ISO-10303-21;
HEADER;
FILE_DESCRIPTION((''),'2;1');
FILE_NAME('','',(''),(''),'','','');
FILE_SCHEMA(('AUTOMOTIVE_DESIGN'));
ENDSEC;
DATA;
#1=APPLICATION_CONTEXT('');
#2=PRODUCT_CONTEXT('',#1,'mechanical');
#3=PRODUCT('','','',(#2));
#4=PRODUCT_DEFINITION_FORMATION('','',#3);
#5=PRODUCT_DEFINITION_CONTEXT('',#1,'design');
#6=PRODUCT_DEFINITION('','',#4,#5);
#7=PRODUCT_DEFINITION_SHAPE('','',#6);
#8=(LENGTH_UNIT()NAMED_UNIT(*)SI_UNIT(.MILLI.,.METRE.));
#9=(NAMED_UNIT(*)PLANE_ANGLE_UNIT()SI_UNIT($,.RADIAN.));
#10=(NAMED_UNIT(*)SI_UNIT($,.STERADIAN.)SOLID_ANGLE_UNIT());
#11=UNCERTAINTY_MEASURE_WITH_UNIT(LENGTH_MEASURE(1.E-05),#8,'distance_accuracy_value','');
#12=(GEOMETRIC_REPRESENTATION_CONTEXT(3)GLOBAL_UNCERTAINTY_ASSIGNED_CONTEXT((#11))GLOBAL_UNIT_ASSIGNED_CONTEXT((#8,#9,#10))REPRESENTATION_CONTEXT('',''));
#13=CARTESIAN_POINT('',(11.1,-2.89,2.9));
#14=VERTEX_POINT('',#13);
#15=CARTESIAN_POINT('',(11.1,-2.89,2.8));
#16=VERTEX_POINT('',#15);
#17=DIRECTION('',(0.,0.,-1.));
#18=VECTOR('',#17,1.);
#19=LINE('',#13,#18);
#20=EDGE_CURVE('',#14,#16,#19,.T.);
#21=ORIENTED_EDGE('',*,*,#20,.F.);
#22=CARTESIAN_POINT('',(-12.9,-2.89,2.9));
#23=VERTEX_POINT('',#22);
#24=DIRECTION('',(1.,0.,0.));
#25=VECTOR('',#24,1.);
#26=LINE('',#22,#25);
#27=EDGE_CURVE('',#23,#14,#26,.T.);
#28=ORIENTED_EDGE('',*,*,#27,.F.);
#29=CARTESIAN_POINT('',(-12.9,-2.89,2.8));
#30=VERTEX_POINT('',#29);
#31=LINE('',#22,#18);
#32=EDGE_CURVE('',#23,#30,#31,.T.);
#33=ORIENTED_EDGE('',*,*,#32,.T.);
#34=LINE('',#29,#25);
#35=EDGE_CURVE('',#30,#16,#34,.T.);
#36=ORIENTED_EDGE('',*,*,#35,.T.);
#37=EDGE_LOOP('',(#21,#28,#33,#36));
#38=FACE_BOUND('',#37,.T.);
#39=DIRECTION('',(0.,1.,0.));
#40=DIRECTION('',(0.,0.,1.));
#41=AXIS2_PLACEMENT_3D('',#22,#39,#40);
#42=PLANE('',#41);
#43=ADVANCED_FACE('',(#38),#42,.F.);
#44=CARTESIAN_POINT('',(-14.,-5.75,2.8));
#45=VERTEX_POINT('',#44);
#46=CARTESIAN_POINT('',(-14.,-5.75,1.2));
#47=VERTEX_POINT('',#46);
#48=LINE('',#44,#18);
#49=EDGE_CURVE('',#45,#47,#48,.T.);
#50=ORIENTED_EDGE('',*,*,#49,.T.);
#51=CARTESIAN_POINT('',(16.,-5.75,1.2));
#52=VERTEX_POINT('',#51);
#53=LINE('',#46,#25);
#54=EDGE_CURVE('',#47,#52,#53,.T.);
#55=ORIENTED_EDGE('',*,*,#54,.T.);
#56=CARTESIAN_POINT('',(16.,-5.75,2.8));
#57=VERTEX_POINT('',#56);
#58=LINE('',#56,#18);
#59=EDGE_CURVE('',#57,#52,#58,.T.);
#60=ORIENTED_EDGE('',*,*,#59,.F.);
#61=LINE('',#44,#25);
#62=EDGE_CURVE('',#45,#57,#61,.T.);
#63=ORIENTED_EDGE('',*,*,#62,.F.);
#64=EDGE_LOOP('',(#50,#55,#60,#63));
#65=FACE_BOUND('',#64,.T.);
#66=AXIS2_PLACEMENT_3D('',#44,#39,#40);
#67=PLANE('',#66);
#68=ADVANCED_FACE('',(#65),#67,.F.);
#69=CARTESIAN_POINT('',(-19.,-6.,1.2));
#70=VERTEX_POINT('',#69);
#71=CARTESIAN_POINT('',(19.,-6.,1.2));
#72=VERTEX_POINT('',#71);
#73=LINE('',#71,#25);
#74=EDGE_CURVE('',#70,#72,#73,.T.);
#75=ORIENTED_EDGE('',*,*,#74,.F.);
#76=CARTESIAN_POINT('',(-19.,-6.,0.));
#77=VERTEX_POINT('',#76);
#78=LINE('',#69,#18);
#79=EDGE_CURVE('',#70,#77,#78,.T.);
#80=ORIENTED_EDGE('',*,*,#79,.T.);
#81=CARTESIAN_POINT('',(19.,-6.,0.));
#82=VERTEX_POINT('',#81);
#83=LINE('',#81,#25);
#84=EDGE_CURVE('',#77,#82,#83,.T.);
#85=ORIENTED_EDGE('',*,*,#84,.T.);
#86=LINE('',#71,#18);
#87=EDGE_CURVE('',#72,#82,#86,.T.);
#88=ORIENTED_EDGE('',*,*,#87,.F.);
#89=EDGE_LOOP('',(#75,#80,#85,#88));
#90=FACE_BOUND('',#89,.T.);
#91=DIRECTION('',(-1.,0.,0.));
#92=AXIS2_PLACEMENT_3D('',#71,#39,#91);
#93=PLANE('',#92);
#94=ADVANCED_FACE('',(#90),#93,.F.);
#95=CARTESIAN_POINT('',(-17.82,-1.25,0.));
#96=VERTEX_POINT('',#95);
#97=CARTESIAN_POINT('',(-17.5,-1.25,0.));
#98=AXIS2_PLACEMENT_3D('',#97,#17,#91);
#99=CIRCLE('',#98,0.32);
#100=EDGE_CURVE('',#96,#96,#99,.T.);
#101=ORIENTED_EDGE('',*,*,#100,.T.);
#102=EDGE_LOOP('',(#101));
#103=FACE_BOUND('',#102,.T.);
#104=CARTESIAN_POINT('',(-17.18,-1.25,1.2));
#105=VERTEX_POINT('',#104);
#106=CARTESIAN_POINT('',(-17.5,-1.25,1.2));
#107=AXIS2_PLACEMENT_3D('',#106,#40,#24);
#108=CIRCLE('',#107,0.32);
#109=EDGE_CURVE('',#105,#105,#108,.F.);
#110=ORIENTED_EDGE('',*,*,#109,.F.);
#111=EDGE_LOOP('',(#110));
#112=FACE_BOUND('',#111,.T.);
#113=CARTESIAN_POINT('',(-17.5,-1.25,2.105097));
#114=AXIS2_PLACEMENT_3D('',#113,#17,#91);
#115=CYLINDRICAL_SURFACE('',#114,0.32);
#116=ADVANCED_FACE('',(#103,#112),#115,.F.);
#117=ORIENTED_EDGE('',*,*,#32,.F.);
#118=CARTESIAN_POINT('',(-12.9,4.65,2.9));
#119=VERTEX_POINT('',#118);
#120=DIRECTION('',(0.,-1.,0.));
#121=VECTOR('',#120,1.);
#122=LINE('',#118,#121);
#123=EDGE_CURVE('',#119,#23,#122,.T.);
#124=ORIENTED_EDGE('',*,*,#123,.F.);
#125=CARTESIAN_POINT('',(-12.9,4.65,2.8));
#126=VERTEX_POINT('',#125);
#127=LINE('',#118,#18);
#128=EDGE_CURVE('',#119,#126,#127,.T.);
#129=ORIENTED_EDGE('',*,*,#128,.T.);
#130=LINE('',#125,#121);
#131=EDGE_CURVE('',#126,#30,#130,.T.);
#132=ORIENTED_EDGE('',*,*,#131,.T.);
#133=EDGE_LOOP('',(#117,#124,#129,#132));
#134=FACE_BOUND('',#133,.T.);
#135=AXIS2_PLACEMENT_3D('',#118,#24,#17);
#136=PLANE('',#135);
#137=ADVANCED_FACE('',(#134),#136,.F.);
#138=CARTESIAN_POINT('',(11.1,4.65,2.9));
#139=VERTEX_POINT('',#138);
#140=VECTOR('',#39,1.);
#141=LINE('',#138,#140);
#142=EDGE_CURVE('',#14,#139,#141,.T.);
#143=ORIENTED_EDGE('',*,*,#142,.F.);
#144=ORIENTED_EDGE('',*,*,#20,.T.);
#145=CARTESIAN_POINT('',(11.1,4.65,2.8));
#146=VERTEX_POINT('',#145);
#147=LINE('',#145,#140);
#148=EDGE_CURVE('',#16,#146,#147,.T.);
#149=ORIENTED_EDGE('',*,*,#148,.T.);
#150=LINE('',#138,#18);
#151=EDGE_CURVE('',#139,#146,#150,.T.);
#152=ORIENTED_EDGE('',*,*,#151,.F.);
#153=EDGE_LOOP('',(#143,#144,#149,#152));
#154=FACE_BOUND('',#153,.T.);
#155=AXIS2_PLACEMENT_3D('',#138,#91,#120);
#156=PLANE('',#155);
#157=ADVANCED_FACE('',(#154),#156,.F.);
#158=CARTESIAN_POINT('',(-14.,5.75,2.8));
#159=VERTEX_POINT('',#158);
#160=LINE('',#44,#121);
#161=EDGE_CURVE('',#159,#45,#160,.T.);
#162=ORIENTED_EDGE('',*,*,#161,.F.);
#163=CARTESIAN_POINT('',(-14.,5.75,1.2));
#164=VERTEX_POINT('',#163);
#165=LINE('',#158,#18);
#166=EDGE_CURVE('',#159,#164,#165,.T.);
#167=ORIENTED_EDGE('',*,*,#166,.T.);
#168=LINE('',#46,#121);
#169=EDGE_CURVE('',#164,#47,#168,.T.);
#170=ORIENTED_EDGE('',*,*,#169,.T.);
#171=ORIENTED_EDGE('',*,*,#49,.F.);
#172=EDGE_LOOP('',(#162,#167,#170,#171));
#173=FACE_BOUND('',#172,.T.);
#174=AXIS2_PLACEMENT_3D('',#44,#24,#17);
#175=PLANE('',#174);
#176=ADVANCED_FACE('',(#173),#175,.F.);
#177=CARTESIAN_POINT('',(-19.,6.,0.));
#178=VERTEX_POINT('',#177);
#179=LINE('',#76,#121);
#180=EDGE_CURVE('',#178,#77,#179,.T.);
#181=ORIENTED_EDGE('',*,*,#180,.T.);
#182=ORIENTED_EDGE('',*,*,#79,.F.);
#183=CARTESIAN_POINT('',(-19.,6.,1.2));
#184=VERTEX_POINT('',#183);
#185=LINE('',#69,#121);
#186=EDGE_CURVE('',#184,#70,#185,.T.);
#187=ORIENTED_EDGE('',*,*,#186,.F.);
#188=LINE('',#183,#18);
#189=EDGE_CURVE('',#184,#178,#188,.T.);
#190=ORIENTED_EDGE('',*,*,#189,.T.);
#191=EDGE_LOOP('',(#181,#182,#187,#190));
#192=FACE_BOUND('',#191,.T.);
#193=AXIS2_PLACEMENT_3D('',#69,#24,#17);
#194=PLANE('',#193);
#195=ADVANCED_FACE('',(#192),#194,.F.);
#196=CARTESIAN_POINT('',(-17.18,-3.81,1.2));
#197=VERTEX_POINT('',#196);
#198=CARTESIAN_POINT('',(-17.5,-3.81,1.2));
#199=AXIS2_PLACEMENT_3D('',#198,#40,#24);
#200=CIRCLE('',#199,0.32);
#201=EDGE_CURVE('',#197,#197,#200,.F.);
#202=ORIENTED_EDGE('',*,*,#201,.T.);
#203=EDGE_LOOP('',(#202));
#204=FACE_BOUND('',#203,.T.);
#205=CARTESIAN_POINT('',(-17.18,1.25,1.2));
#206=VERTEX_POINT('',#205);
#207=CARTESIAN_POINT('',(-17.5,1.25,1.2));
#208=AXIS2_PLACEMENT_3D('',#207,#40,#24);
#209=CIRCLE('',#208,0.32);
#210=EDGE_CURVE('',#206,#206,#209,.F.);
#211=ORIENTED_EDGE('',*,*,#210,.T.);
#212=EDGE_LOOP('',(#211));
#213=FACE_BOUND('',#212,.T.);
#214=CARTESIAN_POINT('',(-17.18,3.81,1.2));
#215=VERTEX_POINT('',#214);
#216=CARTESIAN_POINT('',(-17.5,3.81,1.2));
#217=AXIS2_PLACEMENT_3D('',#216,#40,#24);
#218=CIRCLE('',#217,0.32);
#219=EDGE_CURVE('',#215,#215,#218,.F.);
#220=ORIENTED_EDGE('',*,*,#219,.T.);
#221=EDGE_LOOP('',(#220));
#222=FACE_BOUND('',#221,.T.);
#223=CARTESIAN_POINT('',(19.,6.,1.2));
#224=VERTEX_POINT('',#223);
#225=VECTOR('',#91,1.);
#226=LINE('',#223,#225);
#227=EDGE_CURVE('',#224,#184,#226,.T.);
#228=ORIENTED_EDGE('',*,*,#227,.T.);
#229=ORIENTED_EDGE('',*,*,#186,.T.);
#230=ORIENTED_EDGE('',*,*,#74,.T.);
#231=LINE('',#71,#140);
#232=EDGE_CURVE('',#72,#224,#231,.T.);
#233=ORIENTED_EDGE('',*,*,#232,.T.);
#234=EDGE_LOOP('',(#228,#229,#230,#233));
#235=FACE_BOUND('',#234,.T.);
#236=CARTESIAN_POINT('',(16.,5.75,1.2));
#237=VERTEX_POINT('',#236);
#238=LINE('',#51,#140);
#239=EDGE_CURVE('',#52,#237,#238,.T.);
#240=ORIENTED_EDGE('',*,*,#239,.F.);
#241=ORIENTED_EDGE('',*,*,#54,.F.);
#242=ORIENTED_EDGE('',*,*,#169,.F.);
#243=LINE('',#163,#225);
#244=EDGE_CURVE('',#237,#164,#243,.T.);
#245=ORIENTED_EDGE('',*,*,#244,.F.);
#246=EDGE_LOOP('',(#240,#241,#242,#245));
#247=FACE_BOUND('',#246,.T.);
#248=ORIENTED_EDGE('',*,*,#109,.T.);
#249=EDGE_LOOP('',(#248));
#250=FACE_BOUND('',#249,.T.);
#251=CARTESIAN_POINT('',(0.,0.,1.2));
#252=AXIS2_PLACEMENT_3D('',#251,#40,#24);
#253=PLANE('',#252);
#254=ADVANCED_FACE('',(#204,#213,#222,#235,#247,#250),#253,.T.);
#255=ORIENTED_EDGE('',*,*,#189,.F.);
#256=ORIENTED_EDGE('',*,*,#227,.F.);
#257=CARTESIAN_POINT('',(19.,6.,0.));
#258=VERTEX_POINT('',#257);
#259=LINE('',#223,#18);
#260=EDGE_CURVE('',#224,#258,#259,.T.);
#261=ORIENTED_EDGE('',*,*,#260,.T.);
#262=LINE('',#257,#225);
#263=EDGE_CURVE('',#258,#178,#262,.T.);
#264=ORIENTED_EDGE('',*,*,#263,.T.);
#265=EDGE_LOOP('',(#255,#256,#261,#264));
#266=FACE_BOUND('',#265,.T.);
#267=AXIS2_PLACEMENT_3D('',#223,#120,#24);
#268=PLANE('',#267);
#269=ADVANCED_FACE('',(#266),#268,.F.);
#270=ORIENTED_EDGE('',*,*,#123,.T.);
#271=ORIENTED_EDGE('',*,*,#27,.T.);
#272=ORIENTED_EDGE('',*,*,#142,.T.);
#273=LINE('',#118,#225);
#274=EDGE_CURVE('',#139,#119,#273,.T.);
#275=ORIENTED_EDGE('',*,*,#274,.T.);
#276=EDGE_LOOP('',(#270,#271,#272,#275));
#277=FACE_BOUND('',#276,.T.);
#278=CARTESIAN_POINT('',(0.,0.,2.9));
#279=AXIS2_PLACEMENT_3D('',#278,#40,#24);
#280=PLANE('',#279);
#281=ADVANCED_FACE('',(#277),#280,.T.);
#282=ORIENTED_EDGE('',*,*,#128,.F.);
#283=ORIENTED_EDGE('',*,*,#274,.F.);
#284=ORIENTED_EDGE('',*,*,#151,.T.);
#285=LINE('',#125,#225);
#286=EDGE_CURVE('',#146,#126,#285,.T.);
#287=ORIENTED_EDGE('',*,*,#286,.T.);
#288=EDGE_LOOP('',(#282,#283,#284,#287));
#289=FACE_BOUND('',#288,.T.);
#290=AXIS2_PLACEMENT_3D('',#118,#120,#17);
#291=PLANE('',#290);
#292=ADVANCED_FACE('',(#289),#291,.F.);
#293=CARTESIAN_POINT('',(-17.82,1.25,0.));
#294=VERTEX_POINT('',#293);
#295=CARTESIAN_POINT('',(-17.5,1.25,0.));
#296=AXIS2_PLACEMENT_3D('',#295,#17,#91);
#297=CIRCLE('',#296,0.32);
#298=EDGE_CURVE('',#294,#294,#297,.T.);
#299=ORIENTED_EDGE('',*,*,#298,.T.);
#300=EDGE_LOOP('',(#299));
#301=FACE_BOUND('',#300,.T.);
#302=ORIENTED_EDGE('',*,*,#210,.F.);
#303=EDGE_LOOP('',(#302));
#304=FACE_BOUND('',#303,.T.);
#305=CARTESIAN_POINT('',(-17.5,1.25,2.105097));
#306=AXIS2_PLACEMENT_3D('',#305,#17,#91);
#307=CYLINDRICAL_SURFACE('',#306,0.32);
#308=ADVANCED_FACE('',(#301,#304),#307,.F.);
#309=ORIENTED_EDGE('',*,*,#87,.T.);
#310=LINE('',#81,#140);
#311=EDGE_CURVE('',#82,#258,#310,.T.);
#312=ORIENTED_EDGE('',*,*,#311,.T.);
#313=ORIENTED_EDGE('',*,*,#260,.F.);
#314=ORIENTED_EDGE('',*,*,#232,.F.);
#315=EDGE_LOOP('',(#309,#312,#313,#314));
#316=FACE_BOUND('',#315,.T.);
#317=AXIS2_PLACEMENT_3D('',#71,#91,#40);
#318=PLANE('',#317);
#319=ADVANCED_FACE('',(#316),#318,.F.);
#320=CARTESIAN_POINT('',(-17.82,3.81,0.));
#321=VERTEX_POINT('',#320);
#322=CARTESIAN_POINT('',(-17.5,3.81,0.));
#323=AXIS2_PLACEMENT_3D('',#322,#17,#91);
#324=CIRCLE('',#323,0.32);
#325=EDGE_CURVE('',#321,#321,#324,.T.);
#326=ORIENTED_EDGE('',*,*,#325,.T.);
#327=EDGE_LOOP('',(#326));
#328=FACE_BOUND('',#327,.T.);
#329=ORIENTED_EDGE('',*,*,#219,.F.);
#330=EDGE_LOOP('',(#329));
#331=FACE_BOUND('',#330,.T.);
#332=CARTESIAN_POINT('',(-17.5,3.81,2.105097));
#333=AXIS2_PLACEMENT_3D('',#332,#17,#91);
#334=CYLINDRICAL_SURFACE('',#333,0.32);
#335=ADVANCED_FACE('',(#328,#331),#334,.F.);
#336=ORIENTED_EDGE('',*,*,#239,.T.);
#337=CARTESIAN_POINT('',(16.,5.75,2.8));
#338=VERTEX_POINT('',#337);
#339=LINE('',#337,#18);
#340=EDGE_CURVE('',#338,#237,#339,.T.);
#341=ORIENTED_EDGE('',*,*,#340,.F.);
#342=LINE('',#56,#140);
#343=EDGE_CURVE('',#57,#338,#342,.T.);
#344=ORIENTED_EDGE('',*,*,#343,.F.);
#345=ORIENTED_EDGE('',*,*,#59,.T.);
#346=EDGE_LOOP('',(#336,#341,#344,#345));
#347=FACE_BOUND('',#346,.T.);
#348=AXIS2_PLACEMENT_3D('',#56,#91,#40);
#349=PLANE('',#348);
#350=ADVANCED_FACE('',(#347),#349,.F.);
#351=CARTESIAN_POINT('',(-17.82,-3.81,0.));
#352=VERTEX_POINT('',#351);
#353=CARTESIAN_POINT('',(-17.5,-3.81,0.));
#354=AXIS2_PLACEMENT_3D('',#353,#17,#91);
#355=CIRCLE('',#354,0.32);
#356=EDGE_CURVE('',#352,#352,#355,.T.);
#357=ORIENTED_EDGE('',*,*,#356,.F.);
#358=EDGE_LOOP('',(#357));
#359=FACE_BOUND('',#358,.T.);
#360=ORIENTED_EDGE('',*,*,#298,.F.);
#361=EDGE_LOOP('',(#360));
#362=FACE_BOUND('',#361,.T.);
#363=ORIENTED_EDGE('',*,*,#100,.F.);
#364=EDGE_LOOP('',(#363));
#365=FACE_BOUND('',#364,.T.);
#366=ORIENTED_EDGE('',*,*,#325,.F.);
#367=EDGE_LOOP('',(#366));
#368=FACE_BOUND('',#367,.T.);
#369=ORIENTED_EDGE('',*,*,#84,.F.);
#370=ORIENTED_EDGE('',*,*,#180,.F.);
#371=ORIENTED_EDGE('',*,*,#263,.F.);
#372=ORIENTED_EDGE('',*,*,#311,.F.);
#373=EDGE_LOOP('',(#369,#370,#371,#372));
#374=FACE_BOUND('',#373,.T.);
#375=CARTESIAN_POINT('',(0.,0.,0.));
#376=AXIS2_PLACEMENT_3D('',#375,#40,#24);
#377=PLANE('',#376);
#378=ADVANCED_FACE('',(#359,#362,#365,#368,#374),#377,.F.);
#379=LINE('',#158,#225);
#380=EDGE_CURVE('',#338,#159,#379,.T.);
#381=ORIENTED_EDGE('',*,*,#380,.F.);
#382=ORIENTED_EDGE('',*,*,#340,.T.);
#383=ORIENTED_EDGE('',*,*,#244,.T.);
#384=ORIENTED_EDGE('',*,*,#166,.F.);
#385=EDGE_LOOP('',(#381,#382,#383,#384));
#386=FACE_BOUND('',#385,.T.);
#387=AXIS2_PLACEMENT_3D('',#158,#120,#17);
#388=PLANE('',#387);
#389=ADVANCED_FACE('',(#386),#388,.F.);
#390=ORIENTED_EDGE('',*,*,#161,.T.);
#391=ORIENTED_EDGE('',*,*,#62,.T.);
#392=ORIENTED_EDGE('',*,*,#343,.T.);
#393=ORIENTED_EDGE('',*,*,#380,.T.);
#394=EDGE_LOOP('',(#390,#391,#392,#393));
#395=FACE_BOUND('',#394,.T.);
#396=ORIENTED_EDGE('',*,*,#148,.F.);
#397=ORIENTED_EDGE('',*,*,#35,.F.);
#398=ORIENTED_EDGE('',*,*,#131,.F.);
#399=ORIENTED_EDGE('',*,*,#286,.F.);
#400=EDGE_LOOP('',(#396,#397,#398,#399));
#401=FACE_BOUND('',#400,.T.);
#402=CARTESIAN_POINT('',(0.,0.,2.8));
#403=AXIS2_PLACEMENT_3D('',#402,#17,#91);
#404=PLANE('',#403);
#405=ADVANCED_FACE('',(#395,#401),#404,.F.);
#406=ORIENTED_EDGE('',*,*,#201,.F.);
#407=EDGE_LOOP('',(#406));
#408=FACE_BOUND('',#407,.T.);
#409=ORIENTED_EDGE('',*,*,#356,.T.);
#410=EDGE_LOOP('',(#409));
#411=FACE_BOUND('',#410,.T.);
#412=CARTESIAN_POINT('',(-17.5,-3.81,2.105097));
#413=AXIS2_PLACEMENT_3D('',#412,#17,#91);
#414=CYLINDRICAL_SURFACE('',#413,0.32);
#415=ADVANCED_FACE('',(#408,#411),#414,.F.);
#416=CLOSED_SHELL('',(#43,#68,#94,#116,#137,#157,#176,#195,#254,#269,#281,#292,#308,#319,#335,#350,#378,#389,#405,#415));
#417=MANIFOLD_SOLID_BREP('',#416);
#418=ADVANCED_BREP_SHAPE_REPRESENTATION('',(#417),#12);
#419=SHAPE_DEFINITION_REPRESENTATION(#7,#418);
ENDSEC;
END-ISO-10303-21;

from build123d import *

# Parameters (mm, degrees)
SKETCH1_W           = 38
SKETCH1_H           = 12
BOSS_EXTRUDE1_DEPTH = 1.2
SKETCH2_W           = 30
SKETCH2_H           = 11.5
BOSS_EXTRUDE2_DEPTH = 1.6
SKETCH4_W           = 24
SKETCH4_H           = 7.54
BOSS_EXTRUDE6_DEPTH = 0.1
SKETCH5_R           = 0.32
CUT_EXTRUDE1_DEPTH  = 1.2


with BuildPart() as part:
    # Sketch1 → Boss-Extrude1 (new body)
    with BuildSketch(Plane.XY):
        Rectangle(SKETCH1_W, SKETCH1_H)
    extrude(amount=BOSS_EXTRUDE1_DEPTH)

    # Sketch2 → Boss-Extrude2 (add)
    with BuildSketch(Plane.XY.offset(1.2)):
        with Locations((1, 0)):
            Rectangle(SKETCH2_W, SKETCH2_H)
    extrude(amount=BOSS_EXTRUDE2_DEPTH)

    # Sketch4 → Boss-Extrude6 (add)
    with BuildSketch(Plane.XY.offset(2.8)):
        with Locations((-0.9, 0.88)):
            Rectangle(SKETCH4_W, SKETCH4_H)
    extrude(amount=BOSS_EXTRUDE6_DEPTH)

    # Sketch5 → Cut-Extrude1 (cut)
    with BuildSketch(Plane(origin=(0, 0, 0), x_dir=(-1, 0, 0), z_dir=(0, 0, -1))):
        with Locations((17.5, 3.81)):
            Circle(SKETCH5_R)
        with Locations((17.5, 1.25)):
            Circle(SKETCH5_R)
        with Locations((17.5, -1.25)):
            Circle(SKETCH5_R)
        with Locations((17.5, -3.81)):
            Circle(SKETCH5_R)
    extrude(amount=-CUT_EXTRUDE1_DEPTH, mode=Mode.SUBTRACT)


solid = part.part
